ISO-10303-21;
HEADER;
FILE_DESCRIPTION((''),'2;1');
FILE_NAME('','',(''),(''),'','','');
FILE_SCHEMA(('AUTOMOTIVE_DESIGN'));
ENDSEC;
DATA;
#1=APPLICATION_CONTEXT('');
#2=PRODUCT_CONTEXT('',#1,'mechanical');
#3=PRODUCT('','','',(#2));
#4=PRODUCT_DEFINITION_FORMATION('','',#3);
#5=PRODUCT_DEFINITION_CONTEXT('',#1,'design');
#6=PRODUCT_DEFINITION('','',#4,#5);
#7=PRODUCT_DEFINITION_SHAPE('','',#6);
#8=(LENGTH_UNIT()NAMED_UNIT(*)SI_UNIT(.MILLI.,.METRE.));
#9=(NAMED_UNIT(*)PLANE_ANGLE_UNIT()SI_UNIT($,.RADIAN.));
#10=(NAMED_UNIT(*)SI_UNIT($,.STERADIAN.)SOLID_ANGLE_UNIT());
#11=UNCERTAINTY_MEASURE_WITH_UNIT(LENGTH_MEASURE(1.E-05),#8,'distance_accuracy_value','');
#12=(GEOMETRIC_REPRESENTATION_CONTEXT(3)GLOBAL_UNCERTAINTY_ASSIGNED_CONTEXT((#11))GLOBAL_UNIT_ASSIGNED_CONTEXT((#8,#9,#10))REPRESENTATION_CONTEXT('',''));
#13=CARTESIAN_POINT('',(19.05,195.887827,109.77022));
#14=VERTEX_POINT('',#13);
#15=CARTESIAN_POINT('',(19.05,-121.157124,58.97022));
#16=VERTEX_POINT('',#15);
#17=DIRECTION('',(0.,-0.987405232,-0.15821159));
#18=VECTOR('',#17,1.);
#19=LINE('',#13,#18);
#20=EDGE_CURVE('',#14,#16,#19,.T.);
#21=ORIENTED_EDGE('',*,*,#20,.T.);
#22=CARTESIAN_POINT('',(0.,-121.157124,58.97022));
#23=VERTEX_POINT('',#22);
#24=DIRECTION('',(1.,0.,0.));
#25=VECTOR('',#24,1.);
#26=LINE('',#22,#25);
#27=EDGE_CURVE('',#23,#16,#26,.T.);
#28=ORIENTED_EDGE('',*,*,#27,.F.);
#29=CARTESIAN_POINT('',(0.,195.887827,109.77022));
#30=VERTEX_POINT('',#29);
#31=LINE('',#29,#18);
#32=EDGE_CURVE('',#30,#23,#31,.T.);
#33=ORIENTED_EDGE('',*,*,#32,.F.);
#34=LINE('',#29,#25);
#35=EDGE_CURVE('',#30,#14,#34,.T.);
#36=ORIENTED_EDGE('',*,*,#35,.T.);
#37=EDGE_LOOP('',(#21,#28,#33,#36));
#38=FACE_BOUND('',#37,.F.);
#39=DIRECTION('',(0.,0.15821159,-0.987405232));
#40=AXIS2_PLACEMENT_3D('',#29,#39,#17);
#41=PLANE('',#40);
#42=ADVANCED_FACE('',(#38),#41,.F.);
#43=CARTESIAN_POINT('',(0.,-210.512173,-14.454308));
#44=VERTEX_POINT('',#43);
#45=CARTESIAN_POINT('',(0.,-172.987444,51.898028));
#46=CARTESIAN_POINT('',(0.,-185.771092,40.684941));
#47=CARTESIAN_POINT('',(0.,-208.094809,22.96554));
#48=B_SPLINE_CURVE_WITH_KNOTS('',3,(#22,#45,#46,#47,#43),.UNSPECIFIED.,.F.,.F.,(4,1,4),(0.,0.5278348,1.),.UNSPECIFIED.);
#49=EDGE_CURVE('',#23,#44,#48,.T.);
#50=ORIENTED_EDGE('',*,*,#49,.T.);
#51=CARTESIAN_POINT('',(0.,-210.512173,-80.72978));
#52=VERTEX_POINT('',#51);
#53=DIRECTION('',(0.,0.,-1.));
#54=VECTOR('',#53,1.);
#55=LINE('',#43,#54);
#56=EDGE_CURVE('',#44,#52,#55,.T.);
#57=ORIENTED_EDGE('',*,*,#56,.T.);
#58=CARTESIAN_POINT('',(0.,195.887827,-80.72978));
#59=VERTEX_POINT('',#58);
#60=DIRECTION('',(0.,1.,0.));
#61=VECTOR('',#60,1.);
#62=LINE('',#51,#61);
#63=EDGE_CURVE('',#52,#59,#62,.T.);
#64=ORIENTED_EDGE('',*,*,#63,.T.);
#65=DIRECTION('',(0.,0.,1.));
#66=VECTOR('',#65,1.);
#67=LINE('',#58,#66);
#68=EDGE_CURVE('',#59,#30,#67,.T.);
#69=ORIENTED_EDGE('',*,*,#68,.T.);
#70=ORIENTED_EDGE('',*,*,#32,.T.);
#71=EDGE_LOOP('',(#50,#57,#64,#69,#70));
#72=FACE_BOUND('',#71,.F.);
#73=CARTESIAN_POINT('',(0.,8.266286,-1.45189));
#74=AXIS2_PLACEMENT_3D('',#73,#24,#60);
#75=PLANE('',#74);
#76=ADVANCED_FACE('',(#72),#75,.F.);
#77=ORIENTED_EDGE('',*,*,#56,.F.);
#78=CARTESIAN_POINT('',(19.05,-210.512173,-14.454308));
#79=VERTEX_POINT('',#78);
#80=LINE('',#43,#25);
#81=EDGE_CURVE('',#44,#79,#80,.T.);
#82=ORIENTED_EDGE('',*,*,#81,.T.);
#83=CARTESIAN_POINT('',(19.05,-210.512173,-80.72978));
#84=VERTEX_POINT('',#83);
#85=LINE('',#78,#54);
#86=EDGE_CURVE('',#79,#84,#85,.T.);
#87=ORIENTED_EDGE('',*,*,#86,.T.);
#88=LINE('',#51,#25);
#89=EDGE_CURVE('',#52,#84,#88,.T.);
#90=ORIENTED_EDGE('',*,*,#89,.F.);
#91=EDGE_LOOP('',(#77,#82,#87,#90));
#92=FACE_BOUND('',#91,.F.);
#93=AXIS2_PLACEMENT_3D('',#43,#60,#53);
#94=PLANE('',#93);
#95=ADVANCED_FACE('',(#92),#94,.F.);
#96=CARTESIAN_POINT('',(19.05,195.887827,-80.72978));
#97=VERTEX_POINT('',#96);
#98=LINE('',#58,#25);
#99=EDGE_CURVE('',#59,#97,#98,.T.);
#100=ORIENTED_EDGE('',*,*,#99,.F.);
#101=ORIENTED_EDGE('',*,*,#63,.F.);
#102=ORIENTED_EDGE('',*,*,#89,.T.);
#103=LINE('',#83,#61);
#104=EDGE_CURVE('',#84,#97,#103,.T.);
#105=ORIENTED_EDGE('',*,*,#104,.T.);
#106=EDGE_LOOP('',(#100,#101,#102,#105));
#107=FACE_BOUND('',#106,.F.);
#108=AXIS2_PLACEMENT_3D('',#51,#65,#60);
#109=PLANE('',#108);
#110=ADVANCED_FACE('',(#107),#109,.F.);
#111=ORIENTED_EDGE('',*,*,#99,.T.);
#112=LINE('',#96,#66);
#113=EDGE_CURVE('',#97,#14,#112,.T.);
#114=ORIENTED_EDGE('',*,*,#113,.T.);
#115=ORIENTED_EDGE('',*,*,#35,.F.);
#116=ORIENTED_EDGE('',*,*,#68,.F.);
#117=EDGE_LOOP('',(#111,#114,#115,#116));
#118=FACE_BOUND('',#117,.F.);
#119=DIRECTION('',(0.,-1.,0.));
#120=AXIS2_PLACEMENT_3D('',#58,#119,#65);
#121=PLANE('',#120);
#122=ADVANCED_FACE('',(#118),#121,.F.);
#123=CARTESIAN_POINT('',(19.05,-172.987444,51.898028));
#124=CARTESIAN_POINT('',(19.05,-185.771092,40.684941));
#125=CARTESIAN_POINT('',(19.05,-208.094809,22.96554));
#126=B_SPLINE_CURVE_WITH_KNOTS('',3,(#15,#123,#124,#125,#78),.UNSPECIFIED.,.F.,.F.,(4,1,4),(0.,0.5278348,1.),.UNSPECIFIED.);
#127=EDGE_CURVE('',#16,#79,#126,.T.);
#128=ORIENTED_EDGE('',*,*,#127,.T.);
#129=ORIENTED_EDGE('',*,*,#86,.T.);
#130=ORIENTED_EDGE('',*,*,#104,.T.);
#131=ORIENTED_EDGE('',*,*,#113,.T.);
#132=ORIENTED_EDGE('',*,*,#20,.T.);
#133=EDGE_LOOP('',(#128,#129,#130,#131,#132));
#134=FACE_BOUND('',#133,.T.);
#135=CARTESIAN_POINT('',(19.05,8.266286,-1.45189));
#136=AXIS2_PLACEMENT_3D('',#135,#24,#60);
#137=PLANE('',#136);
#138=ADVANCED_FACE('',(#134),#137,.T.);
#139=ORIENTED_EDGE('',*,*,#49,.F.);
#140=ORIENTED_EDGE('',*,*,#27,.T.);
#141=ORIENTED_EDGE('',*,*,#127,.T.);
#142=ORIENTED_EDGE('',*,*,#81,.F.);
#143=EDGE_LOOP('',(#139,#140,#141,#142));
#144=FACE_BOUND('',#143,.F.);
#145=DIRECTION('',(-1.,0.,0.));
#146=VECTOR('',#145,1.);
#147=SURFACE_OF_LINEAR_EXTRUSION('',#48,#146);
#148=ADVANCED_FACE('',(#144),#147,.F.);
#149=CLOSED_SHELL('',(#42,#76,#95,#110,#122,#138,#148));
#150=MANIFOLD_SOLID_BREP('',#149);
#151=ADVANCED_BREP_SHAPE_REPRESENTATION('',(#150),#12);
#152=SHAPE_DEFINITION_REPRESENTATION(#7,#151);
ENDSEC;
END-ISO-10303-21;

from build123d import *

# Parameters (mm, degrees)
F1_DEPTH = 19.05


with BuildPart() as f1:
    # F0 (on Right) → F1 (new body)
    with BuildSketch(Plane.YZ):
        with BuildLine():
            Line((-210.5121730238, -80.7297796861), (195.8878269762, -80.7297796861))
            Line((195.8878269762, -80.7297796861), (195.8878269762, 109.7702203139))
            Line((195.8878269762, 109.7702203139), (-121.1571238418, 58.9702203139))
            add(Edge.make_bspline(
                [(-121.1571238418, 58.9702203139), (-172.9874442081, 51.898027883), (-185.771092074, 40.6849409005), (-208.0948090763, 22.9655395757), (-210.5121730238, -14.4543079659)],
                knots=[0, 0, 0, 0, 0.5278348, 1, 1, 1, 1], degree=3))
            Line((-210.5121730238, -14.4543079659), (-210.5121730238, -80.7297796861))
        make_face()
    extrude(amount=F1_DEPTH)


solid = f1.part
